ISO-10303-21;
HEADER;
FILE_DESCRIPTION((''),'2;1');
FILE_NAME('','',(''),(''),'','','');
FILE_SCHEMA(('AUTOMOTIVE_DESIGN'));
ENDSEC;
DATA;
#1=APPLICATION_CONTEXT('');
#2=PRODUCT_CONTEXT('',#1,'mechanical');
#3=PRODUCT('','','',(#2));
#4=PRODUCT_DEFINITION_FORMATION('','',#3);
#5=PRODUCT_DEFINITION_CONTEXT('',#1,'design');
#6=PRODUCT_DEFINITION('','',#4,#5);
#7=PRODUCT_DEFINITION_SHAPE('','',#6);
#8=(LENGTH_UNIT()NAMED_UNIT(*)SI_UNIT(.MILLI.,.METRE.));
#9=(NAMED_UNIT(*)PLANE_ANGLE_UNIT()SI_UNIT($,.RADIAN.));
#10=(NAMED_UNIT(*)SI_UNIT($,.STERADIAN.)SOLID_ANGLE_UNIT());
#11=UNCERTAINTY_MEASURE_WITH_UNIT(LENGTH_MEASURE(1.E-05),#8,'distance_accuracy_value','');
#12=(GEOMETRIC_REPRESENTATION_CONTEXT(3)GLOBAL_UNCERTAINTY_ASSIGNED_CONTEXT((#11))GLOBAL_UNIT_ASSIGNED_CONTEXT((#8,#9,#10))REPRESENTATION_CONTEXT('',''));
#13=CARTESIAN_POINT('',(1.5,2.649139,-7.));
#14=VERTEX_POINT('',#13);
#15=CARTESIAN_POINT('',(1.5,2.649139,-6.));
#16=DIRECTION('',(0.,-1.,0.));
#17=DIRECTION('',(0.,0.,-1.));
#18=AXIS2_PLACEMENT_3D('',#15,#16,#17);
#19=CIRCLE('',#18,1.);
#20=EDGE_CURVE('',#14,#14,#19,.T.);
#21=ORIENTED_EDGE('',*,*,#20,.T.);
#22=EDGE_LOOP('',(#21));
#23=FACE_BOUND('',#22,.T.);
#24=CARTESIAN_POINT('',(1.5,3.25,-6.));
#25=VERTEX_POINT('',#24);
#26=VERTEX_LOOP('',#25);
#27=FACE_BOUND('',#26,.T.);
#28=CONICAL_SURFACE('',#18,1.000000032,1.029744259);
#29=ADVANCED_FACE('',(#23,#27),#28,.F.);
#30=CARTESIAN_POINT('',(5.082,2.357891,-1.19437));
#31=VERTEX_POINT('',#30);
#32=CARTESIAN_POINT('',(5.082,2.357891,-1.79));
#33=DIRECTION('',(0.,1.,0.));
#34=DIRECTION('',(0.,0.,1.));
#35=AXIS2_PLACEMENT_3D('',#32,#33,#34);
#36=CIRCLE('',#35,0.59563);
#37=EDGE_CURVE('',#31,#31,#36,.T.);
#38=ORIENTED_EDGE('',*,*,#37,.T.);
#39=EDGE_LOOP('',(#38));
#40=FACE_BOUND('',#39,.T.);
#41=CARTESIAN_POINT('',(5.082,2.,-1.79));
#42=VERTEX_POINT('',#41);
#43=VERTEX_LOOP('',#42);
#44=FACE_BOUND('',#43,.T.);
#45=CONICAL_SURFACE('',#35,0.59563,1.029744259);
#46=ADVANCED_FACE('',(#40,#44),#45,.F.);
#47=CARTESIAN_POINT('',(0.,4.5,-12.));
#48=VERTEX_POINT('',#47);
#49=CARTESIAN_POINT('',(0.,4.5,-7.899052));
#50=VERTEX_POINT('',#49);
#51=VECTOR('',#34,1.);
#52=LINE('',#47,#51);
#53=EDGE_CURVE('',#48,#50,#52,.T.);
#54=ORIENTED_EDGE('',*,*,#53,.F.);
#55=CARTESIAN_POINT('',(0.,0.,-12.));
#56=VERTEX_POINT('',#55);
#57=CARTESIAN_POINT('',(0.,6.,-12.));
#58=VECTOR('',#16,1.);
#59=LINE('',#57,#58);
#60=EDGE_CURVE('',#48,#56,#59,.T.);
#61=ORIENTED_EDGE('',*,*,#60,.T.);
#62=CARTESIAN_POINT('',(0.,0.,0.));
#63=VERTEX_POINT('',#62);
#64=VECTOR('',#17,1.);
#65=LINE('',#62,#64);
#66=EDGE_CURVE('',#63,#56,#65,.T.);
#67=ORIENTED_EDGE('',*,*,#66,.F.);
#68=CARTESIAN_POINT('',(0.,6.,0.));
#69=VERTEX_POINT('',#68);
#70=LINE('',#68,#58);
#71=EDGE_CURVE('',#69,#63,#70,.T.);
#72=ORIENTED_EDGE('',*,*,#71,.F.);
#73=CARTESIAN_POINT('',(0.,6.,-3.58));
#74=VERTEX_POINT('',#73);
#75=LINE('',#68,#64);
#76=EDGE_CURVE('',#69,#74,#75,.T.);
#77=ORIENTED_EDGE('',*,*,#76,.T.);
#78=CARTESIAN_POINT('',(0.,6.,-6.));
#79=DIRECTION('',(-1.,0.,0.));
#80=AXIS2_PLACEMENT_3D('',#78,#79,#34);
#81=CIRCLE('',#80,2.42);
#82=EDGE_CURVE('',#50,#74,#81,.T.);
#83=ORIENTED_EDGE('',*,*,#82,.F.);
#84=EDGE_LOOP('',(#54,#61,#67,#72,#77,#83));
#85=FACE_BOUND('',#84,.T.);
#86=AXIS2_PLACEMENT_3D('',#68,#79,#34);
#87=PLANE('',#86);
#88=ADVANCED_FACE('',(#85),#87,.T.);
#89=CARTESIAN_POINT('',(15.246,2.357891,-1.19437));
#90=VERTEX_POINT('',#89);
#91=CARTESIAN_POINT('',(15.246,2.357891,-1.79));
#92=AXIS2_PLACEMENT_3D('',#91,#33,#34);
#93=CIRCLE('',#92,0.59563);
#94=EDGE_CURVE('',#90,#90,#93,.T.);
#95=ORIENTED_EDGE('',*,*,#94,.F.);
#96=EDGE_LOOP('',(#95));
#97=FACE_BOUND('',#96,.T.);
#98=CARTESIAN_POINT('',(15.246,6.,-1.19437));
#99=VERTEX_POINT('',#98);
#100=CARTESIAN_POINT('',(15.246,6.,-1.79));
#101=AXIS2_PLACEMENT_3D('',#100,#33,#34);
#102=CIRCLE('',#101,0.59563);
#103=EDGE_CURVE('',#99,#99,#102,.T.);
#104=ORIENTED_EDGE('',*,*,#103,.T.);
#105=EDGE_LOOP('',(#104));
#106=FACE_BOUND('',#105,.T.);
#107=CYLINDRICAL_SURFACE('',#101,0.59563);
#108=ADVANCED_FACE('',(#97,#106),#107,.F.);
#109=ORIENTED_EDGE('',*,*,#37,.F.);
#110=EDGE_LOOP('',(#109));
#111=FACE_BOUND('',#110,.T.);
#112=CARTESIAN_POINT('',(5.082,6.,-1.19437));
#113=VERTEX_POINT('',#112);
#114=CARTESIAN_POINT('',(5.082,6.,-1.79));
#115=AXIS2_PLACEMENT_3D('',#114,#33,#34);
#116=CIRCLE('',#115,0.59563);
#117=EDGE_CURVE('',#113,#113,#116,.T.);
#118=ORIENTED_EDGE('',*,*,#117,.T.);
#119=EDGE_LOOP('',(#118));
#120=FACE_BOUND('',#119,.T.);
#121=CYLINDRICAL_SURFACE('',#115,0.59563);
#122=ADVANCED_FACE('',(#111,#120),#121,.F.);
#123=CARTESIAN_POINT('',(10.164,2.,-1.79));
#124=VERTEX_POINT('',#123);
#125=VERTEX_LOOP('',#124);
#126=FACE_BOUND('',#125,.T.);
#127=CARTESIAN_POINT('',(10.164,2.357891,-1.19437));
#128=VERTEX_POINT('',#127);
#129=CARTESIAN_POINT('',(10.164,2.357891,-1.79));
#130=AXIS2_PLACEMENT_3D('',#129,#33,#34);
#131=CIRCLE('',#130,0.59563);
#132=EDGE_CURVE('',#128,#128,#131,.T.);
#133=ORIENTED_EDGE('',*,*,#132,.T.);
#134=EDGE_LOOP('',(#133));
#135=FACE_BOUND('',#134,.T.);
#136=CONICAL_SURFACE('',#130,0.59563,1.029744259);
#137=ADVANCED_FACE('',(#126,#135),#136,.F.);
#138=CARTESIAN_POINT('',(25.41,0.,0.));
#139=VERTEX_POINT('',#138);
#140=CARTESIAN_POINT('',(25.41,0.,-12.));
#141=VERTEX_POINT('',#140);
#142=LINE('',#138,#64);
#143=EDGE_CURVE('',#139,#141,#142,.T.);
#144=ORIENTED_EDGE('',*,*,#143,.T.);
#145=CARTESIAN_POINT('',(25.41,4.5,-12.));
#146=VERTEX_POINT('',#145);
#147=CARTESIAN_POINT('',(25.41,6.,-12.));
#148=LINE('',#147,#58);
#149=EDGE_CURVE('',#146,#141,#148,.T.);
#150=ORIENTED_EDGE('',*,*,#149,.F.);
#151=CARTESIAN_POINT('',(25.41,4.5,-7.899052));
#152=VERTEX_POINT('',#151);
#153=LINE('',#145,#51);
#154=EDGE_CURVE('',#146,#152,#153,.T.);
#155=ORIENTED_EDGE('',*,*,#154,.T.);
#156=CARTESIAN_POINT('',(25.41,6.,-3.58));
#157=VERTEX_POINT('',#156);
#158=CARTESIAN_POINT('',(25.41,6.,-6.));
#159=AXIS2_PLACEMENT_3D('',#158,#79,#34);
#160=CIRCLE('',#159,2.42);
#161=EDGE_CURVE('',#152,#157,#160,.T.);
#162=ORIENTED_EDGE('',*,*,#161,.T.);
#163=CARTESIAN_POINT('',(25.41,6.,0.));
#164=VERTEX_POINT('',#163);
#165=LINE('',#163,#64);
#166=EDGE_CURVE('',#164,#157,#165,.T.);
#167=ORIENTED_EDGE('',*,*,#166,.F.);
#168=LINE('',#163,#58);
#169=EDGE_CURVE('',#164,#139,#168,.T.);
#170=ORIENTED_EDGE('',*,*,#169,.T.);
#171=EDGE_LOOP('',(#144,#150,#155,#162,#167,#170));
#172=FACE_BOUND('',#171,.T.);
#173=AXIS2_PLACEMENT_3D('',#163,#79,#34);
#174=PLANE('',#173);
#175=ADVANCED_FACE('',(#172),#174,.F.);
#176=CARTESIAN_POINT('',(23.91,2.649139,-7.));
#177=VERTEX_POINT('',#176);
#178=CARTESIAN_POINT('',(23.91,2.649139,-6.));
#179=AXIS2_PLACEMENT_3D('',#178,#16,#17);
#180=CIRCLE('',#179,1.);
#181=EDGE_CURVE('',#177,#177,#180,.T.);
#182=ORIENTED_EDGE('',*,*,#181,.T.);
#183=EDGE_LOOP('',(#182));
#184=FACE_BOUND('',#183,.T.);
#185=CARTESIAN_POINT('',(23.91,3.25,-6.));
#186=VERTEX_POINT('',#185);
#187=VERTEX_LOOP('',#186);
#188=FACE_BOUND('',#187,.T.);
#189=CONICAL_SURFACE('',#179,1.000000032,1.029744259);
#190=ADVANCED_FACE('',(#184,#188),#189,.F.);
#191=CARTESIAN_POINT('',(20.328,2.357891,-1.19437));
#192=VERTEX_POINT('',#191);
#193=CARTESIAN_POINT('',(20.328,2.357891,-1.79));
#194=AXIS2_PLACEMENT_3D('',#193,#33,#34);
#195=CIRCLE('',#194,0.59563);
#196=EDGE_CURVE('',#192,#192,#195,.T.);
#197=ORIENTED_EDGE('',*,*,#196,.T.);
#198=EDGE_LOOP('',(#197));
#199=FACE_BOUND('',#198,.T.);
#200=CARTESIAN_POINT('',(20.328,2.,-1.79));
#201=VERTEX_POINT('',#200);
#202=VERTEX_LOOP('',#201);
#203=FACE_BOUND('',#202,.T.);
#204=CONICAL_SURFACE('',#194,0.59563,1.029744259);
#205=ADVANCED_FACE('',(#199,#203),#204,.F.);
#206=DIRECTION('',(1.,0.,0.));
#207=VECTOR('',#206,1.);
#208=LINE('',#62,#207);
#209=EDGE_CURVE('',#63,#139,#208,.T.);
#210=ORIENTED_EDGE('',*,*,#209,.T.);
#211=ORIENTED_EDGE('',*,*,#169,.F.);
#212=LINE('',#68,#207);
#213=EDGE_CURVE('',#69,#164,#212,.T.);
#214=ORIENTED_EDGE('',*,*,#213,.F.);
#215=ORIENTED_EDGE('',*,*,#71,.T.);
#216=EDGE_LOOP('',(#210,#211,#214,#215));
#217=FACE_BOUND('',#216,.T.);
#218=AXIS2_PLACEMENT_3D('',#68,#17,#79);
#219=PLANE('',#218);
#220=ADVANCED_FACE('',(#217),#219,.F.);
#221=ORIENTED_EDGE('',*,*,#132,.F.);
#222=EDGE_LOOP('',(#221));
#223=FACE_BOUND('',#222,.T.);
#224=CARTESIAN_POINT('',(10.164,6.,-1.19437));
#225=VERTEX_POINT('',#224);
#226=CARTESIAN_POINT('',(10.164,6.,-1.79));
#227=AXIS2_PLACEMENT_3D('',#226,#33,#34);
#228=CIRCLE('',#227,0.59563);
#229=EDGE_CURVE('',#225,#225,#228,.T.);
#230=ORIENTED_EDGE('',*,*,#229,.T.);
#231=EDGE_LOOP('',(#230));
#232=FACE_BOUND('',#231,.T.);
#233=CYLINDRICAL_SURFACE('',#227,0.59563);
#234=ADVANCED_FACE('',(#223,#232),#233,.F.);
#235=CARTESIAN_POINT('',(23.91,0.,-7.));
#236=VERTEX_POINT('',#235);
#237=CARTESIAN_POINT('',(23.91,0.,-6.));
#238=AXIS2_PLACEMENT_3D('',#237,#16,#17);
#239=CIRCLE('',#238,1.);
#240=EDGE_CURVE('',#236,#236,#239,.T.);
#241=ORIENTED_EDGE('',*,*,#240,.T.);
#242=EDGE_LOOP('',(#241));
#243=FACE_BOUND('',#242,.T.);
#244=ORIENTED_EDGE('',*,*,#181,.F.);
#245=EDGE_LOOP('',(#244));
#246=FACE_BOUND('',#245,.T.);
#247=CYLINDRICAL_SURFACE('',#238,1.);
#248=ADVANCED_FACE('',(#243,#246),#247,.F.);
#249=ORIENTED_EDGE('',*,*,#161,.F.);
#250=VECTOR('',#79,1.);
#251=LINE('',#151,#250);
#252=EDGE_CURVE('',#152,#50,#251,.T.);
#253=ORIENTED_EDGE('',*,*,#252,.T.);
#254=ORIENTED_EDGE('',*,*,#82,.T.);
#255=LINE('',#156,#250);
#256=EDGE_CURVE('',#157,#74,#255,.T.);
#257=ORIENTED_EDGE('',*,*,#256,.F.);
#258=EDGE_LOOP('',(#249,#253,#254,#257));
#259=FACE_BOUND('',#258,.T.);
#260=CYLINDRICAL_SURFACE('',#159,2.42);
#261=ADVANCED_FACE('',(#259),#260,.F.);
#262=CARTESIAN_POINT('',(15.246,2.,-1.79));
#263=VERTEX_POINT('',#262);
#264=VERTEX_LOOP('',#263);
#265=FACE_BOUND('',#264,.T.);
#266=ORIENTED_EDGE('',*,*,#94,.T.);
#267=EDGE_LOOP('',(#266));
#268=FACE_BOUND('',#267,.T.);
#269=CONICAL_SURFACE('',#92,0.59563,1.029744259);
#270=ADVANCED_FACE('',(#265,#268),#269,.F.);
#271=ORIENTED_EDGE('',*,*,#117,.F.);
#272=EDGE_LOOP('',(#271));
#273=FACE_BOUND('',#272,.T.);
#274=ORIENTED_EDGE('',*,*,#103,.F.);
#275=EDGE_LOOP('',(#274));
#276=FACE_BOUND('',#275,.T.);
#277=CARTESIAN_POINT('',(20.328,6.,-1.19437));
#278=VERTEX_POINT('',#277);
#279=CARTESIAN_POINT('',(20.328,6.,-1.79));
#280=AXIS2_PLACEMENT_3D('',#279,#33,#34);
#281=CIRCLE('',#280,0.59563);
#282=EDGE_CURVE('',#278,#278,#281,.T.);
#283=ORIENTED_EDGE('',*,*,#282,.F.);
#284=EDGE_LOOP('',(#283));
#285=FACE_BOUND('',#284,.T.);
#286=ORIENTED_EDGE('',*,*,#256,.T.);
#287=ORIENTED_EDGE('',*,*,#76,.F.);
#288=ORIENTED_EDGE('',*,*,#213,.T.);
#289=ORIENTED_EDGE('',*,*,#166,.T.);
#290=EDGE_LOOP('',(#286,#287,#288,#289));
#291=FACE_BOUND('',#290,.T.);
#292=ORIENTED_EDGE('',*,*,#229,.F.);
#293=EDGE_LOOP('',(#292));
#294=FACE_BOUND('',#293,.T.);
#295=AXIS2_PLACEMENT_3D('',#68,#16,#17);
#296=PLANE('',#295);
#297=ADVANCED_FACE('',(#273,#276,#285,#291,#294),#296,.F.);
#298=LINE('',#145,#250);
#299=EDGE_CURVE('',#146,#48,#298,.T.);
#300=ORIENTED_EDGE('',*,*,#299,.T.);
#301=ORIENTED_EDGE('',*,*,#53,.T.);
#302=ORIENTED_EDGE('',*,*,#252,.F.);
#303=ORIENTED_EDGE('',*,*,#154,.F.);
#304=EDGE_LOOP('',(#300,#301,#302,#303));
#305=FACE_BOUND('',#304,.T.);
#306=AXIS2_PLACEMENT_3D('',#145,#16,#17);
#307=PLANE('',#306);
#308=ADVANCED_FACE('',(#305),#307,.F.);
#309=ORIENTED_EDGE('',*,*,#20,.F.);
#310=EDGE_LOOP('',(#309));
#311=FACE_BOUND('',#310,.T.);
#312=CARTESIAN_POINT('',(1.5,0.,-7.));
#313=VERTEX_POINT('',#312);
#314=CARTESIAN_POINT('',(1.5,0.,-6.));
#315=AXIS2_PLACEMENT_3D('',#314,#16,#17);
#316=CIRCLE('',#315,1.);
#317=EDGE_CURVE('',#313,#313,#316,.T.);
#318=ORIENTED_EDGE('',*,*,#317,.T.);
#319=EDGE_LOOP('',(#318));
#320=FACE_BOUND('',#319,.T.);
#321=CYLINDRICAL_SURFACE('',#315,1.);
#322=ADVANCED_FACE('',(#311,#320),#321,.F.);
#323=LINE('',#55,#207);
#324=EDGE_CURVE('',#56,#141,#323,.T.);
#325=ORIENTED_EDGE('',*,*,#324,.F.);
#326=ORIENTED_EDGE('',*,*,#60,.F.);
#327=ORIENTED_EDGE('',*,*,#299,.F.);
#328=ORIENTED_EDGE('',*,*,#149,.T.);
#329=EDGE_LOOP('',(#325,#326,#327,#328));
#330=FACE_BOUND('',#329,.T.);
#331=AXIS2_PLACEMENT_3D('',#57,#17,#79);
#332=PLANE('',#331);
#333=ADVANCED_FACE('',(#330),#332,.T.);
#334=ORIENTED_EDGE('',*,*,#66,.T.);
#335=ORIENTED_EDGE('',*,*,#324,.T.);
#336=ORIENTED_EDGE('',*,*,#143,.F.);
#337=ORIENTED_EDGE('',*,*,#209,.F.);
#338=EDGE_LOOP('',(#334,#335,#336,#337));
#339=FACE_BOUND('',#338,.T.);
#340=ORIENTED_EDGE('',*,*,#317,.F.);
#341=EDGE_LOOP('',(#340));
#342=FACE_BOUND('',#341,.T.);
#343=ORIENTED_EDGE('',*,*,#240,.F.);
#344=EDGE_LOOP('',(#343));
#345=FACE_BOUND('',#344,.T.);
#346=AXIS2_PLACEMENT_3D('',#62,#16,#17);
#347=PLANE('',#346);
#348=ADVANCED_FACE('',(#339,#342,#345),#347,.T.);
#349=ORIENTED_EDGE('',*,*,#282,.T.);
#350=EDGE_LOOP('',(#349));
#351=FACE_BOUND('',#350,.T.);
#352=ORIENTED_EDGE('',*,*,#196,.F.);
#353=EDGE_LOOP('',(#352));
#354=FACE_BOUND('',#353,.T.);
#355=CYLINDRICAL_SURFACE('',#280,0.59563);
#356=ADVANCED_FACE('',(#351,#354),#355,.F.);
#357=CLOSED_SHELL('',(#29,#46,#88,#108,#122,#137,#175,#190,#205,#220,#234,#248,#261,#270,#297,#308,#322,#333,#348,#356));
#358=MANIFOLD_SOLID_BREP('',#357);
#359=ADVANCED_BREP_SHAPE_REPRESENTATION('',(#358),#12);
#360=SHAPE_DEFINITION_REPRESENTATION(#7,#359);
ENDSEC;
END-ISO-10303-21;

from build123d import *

# Parameters (mm, degrees)
SKETCH1_W                 = 25.41
SKETCH1_H                 = 12
BOSS_EXTRUDE1_DEPTH       = 6
SKETCH2_R                 = 2.42
CUT_EXTRUDE1_DEPTH        = 25.41
SKETCH4_W                 = 4.522418919
SKETCH4_H                 = 1.5
CUT_EXTRUDE2_DEPTH        = 25.41
F_2_56_TAPPED_HOLE1_D     = 2.000000064
F_2_56_TAPPED_HOLE1_DEPTH = 2.649139362
F_2_56_TAPPED_HOLE1_TIP   = 0.600860638
F_0_80_TAPPED_HOLE1_D     = 1.19126
F_0_80_TAPPED_HOLE1_DEPTH = 3.642109389
F_0_80_TAPPED_HOLE1_TIP   = 0.357890611


with BuildPart() as part:
    # Sketch1 → Boss-Extrude1 (new body)
    with BuildSketch(Plane(origin=(0, 0, 0), x_dir=(1, 0, 0), z_dir=(0, 1, 0))):
        with Locations((12.705, 6)):
            Rectangle(SKETCH1_W, SKETCH1_H)
    extrude(amount=BOSS_EXTRUDE1_DEPTH)

    # Sketch2 → Cut-Extrude1 (cut)
    with BuildSketch(Plane.ZY):
        with Locations((-6, 6)):
            Circle(SKETCH2_R)
    extrude(amount=-CUT_EXTRUDE1_DEPTH, mode=Mode.SUBTRACT)

    # Sketch4 → Cut-Extrude2 (cut)
    with BuildSketch(Plane.ZY):
        with Locations((-9.738790541, 5.25)):
            Rectangle(SKETCH4_W, SKETCH4_H)
    extrude(amount=-CUT_EXTRUDE2_DEPTH, mode=Mode.SUBTRACT)

    # #2-56 Tapped Hole1
    with Locations(Plane(origin=(0, 0, 0), x_dir=(-1, 0, 0), z_dir=(0, -1, 0))):
        with Locations((-23.91, 6), (-1.5, 6)):
            Hole(F_2_56_TAPPED_HOLE1_D / 2, depth=F_2_56_TAPPED_HOLE1_DEPTH)
            with Locations((0, 0, -(F_2_56_TAPPED_HOLE1_DEPTH + F_2_56_TAPPED_HOLE1_TIP / 2))):  # 118° drill point
                Cone(0, F_2_56_TAPPED_HOLE1_D / 2, F_2_56_TAPPED_HOLE1_TIP, mode=Mode.SUBTRACT)

    # #0-80 Tapped Hole1
    with Locations(Plane(origin=(0, 6, 0), x_dir=(1, 0, 0), z_dir=(0, 1, 0))):
        with Locations((5.082, 1.79), (10.164, 1.79), (15.246, 1.79), (20.328, 1.79)):
            Hole(F_0_80_TAPPED_HOLE1_D / 2, depth=F_0_80_TAPPED_HOLE1_DEPTH)
            with Locations((0, 0, -(F_0_80_TAPPED_HOLE1_DEPTH + F_0_80_TAPPED_HOLE1_TIP / 2))):  # 118° drill point
                Cone(0, F_0_80_TAPPED_HOLE1_D / 2, F_0_80_TAPPED_HOLE1_TIP, mode=Mode.SUBTRACT)


solid = part.part
